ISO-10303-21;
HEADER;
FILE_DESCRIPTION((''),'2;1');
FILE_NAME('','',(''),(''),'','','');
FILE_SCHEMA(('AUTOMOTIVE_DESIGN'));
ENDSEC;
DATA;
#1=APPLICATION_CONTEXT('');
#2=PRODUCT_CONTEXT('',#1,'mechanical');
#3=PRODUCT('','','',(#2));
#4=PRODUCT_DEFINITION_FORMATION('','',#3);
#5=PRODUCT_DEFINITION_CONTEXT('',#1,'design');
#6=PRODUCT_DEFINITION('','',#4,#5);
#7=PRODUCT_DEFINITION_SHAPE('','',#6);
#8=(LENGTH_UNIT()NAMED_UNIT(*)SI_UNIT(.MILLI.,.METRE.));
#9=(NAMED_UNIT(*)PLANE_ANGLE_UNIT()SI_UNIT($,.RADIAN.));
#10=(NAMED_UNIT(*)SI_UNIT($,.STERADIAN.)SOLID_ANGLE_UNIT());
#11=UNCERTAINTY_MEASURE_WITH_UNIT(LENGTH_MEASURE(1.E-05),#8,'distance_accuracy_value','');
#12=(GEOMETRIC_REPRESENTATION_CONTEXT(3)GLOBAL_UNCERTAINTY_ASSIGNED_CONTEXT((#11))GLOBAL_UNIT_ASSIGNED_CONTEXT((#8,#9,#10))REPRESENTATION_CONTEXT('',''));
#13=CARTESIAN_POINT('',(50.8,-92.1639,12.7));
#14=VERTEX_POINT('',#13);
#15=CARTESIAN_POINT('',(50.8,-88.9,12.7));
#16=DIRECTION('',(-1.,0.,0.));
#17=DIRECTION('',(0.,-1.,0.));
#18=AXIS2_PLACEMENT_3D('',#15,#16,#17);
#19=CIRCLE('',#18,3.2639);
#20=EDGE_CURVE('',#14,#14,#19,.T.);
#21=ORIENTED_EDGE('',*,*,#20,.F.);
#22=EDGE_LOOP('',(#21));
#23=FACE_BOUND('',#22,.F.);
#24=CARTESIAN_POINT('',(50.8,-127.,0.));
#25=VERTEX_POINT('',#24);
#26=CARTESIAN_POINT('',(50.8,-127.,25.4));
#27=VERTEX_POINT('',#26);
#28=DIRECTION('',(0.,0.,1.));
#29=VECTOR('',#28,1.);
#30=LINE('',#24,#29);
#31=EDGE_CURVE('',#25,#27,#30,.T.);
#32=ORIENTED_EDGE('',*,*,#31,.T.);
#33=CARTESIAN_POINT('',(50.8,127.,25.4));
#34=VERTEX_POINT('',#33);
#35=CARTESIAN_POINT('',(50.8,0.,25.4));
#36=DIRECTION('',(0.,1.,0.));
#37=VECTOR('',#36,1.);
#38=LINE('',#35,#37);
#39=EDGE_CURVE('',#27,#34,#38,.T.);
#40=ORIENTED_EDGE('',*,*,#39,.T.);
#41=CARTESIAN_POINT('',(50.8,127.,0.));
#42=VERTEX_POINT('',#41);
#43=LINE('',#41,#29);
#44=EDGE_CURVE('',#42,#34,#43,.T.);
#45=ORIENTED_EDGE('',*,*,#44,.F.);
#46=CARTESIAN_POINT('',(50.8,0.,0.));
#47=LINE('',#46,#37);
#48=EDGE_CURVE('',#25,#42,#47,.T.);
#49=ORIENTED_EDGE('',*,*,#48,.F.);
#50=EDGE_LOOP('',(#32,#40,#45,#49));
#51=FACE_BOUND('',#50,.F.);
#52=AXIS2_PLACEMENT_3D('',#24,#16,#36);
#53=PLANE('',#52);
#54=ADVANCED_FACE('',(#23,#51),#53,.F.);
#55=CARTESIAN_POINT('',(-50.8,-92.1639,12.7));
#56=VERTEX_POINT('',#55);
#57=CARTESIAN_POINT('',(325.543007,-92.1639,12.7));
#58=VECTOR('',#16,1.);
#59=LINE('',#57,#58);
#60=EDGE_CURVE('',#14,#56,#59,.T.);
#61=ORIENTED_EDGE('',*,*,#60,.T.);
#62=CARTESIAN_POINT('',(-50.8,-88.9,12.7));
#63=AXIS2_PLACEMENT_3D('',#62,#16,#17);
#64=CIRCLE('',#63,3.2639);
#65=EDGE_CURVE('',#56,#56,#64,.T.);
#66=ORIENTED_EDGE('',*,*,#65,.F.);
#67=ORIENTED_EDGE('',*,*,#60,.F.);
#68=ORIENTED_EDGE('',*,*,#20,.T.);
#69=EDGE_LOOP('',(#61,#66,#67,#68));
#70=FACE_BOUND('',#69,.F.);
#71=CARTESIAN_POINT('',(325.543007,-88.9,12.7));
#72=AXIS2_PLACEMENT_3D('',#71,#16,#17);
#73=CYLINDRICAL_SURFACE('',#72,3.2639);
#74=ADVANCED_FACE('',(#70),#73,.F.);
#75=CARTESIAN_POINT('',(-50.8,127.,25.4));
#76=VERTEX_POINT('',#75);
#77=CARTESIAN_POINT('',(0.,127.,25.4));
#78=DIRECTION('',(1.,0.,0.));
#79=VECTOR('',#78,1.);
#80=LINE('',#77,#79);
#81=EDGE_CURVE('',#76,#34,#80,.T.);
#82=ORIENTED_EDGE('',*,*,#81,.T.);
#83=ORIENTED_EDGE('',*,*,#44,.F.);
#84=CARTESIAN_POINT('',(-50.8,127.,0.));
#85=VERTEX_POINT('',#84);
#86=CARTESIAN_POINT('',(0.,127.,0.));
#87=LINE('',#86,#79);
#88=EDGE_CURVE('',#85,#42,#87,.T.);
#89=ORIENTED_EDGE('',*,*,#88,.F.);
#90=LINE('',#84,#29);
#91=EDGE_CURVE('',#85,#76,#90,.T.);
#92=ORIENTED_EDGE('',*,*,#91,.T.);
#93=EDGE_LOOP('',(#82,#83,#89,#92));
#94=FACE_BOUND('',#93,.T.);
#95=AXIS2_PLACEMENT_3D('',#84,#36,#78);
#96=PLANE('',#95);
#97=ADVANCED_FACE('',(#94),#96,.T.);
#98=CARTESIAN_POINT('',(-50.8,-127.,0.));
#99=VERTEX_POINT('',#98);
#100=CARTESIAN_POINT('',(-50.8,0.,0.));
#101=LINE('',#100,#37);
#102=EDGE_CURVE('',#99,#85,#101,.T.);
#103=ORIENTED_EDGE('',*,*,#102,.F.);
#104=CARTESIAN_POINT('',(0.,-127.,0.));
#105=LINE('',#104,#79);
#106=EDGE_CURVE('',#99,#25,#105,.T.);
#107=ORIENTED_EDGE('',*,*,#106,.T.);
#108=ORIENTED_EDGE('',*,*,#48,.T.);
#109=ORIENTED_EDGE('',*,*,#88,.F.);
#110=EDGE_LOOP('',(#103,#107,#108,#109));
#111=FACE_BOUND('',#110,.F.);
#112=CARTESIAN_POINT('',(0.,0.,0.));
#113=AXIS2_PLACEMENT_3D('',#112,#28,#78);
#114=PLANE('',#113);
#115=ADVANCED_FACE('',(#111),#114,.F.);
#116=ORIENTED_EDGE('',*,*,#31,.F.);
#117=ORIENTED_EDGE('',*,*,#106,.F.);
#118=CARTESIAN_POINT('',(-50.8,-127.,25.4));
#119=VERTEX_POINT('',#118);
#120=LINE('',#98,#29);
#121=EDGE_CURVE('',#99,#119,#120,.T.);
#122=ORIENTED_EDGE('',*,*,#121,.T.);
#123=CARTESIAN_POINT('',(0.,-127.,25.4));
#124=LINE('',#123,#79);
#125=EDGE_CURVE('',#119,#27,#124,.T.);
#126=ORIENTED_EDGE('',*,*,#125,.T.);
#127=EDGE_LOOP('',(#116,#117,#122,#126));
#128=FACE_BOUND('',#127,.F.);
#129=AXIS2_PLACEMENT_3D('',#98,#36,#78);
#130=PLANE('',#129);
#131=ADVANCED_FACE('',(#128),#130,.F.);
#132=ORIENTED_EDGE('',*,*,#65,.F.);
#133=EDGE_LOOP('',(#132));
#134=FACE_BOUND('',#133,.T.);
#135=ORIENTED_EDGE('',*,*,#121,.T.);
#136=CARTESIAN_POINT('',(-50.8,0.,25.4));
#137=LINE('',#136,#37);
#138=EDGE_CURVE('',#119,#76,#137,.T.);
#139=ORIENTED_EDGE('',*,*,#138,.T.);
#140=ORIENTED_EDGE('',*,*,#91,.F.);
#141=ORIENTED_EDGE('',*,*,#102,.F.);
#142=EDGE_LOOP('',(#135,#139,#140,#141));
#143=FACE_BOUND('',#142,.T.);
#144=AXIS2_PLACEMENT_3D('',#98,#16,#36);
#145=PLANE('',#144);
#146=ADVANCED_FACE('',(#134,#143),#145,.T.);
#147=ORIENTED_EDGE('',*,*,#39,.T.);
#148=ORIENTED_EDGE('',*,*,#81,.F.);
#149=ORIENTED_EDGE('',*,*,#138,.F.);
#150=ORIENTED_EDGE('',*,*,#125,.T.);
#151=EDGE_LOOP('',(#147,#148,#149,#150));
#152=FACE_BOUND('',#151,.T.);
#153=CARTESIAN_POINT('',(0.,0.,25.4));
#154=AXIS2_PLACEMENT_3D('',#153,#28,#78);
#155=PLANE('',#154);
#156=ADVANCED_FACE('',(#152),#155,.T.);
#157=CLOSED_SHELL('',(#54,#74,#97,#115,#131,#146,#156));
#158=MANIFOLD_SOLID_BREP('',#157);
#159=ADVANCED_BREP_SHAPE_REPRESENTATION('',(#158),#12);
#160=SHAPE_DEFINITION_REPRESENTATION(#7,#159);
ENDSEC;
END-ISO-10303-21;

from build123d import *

# Parameters (mm, degrees)
F0_W     = 101.6
F0_H     = 254
F1_DEPTH = 25.4
F3_D     = 6.5278


with BuildPart() as f1:
    # F0 (on Top) → F1 (new body)
    with BuildSketch(Plane.XY):
        Rectangle(F0_W, F0_H)
    extrude(amount=F1_DEPTH)

    # F3 (through all)
    with Locations(Plane.YZ.offset(50.8)):
        with Locations((-88.9, 12.7)):
            Hole(F3_D / 2)


solid = f1.part
